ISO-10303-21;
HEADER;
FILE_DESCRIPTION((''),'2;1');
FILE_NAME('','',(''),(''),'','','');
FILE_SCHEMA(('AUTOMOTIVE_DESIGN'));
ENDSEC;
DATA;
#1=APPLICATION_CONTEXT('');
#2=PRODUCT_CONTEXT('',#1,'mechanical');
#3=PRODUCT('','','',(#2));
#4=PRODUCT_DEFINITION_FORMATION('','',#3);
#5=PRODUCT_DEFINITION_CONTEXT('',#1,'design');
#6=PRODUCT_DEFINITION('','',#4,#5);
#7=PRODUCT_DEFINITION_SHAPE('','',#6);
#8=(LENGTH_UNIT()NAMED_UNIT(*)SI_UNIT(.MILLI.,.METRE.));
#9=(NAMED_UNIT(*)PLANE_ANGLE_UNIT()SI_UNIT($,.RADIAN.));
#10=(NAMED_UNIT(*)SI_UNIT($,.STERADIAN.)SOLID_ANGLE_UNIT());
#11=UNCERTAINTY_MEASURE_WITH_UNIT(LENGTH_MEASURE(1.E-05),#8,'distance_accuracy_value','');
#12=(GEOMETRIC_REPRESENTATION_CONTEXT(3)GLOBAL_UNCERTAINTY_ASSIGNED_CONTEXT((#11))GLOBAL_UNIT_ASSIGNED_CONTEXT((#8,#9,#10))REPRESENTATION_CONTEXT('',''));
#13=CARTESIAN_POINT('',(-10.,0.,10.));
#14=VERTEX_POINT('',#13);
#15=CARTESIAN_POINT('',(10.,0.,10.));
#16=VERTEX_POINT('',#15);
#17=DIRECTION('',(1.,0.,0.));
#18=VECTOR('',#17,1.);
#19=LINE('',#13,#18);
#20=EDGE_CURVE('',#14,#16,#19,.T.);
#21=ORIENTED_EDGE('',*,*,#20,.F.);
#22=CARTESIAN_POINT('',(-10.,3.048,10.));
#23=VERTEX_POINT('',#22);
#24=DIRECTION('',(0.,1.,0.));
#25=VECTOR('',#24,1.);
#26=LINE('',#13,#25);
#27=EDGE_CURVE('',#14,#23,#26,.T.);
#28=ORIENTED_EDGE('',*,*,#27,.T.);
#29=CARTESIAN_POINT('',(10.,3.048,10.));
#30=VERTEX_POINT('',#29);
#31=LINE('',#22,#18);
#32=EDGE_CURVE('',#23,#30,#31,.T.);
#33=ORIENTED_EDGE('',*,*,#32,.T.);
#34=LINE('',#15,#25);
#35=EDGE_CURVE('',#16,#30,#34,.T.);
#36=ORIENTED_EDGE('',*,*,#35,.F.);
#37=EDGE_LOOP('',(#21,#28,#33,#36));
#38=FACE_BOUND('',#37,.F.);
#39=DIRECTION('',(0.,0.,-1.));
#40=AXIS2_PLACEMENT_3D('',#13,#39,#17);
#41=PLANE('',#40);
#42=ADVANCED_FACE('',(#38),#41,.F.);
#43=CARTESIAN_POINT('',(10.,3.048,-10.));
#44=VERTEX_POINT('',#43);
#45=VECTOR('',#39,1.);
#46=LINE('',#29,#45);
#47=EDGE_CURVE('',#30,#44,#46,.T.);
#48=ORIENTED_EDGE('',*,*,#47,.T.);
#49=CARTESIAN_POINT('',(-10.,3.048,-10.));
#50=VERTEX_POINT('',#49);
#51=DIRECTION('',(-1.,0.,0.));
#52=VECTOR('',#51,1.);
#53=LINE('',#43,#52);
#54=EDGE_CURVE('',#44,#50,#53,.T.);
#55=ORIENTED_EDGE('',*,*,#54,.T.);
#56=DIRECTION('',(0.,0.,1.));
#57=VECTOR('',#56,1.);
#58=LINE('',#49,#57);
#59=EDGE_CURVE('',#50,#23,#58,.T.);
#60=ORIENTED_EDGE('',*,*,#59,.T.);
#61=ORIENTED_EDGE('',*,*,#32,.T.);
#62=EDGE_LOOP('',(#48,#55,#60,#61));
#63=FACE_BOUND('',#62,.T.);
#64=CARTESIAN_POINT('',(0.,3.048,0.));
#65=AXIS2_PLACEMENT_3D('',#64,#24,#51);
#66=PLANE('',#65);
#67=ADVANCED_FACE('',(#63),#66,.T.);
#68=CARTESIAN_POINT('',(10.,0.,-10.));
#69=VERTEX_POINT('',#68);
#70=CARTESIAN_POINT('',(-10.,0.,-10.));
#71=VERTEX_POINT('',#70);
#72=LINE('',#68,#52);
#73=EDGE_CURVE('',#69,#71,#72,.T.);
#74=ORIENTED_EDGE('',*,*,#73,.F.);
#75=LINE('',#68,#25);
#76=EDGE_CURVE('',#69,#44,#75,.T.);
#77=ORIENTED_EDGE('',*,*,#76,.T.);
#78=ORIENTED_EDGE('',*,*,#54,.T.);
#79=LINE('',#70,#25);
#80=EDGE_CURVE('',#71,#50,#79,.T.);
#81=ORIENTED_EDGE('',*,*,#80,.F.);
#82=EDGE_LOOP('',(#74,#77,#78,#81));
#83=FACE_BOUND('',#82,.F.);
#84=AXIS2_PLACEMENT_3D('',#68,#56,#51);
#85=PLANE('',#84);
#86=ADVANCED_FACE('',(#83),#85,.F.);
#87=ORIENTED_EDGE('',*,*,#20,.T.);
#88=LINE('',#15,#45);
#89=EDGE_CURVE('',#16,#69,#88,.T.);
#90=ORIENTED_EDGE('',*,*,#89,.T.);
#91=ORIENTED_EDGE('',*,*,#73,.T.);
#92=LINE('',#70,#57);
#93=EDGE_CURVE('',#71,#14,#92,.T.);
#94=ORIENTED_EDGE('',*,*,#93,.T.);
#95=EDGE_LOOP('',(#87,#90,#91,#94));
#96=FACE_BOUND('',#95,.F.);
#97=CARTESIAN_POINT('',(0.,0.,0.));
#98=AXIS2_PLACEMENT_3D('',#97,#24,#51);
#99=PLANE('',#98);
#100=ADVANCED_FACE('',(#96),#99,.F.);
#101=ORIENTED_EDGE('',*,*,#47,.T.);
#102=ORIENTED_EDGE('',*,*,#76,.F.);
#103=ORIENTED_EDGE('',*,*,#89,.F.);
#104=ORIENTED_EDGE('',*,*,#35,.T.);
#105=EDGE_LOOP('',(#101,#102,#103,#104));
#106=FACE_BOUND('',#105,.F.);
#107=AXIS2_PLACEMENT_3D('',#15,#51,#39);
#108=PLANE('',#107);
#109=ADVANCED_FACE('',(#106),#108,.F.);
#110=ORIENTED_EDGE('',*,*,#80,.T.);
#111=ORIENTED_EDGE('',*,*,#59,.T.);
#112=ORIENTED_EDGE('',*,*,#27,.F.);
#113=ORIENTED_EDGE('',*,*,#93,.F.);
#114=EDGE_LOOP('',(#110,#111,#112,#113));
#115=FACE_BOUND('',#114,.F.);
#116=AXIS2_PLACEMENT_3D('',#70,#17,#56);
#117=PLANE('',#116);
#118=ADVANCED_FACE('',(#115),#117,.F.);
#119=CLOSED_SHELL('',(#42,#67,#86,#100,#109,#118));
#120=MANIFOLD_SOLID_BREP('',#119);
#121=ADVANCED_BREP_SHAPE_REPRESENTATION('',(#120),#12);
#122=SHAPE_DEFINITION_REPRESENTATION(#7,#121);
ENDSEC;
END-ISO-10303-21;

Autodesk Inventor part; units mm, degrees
ref_plane "YZ Plane" through (0, 0, 0) normal (1, 0, 0) x (0, 1, 0)
ref_plane "XZ Plane" through (0, 0, 0) normal (0, 1, 0) x (-1, 0, 0)
ref_plane "XY Plane" through (0, 0, 0) normal (0, 0, 1) x (1, 0, 0)
sketch "Sketch1" plane through (0, 0, 0) normal (0, 1, 0) x (-1, 0, 0)
  line L0 (-10, -10) -> (10, -10)
  line L1 (10, -10) -> (10, 10)
  line L2 (10, 10) -> (-10, 10)
  line L3 (-10, 10) -> (-10, -10)
  line L4 (-10, -10) -> (10, 10) construction
  line L5 (10, -10) -> (-10, 10) construction
  point P0 (0, 0)
  dimension "d0" = 20
  dimension "d1" = 20
extrude "Plate1" add sketch "Sketch1" along normal blind 3.048
equation "\"d2\" = Thickness"
equation "\"BendRadius\" = Thickness"
equation "\"BendReliefWidth\" = Thickness"
equation "\"BendReliefDepth\" = 0.5 * Thickness"
equation "\"CornerReliefSize\" = 4 * Thickness"
equation "\"MinimumRemnant\" = 2 * Thickness"
equation "\"TransitionRadius\" = BendRadius"
equation "\"JacobiRadiusSize\" = BendRadius"
equation "\"GapSize\" = Thickness"
equation "\"Thickness\" = 3.048"
properties part number "SheetSample"
